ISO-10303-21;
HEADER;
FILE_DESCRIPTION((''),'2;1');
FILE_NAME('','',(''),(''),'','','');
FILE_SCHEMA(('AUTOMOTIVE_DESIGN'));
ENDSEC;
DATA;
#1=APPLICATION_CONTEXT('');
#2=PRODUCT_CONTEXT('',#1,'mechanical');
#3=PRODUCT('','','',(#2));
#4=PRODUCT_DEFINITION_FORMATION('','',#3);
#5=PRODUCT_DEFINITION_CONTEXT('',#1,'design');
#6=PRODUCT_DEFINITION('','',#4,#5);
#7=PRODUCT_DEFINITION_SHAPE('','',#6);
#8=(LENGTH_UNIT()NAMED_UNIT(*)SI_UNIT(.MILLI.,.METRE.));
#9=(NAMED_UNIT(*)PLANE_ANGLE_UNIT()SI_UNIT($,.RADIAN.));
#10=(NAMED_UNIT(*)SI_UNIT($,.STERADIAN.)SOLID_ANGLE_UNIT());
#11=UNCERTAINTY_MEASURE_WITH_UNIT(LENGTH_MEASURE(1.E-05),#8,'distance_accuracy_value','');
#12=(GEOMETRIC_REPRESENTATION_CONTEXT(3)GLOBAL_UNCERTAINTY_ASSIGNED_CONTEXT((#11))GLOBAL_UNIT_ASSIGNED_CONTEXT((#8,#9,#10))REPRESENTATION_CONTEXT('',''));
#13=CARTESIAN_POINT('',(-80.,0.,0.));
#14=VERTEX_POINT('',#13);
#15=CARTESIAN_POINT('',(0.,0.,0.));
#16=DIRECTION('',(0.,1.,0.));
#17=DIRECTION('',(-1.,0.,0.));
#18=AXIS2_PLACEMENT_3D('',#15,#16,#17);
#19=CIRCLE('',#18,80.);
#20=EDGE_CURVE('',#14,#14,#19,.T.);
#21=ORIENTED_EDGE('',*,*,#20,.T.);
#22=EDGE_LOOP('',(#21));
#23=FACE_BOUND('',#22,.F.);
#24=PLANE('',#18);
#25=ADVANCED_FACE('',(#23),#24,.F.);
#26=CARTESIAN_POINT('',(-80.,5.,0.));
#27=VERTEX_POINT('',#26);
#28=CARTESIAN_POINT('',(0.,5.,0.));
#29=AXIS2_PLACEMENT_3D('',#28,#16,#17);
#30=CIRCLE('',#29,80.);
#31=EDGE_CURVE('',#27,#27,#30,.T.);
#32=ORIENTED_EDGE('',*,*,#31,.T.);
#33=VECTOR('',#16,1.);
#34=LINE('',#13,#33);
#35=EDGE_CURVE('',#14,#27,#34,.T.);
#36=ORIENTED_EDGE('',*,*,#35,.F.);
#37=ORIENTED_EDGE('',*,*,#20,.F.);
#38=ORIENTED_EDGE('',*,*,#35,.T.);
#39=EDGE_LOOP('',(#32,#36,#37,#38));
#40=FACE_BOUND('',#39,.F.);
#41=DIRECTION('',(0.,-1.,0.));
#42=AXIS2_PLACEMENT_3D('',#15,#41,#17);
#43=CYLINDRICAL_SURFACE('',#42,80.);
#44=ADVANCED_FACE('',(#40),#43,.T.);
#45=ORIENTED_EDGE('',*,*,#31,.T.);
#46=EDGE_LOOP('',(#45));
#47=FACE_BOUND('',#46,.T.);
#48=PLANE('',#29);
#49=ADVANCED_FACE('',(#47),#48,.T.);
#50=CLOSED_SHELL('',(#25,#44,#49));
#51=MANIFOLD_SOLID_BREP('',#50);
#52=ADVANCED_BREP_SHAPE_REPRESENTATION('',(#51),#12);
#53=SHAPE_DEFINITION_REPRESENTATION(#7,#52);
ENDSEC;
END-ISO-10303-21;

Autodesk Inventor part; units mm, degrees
ref_plane "YZ Plane" through (0, 0, 0) normal (1, 0, 0) x (0, 1, 0)
ref_plane "XZ Plane" through (0, 0, 0) normal (0, 1, 0) x (-1, 0, 0)
ref_plane "XY Plane" through (0, 0, 0) normal (0, 0, 1) x (1, 0, 0)
sketch "Sketch1" plane through (0, 0, 0) normal (0, 1, 0) x (-1, 0, 0)
  circle A0 centre (0, 0) radius 80
  dimension "d0" = 160
extrude "Extrusion1" add sketch "Sketch1" along normal blind 5
properties part number "voetCamera"
